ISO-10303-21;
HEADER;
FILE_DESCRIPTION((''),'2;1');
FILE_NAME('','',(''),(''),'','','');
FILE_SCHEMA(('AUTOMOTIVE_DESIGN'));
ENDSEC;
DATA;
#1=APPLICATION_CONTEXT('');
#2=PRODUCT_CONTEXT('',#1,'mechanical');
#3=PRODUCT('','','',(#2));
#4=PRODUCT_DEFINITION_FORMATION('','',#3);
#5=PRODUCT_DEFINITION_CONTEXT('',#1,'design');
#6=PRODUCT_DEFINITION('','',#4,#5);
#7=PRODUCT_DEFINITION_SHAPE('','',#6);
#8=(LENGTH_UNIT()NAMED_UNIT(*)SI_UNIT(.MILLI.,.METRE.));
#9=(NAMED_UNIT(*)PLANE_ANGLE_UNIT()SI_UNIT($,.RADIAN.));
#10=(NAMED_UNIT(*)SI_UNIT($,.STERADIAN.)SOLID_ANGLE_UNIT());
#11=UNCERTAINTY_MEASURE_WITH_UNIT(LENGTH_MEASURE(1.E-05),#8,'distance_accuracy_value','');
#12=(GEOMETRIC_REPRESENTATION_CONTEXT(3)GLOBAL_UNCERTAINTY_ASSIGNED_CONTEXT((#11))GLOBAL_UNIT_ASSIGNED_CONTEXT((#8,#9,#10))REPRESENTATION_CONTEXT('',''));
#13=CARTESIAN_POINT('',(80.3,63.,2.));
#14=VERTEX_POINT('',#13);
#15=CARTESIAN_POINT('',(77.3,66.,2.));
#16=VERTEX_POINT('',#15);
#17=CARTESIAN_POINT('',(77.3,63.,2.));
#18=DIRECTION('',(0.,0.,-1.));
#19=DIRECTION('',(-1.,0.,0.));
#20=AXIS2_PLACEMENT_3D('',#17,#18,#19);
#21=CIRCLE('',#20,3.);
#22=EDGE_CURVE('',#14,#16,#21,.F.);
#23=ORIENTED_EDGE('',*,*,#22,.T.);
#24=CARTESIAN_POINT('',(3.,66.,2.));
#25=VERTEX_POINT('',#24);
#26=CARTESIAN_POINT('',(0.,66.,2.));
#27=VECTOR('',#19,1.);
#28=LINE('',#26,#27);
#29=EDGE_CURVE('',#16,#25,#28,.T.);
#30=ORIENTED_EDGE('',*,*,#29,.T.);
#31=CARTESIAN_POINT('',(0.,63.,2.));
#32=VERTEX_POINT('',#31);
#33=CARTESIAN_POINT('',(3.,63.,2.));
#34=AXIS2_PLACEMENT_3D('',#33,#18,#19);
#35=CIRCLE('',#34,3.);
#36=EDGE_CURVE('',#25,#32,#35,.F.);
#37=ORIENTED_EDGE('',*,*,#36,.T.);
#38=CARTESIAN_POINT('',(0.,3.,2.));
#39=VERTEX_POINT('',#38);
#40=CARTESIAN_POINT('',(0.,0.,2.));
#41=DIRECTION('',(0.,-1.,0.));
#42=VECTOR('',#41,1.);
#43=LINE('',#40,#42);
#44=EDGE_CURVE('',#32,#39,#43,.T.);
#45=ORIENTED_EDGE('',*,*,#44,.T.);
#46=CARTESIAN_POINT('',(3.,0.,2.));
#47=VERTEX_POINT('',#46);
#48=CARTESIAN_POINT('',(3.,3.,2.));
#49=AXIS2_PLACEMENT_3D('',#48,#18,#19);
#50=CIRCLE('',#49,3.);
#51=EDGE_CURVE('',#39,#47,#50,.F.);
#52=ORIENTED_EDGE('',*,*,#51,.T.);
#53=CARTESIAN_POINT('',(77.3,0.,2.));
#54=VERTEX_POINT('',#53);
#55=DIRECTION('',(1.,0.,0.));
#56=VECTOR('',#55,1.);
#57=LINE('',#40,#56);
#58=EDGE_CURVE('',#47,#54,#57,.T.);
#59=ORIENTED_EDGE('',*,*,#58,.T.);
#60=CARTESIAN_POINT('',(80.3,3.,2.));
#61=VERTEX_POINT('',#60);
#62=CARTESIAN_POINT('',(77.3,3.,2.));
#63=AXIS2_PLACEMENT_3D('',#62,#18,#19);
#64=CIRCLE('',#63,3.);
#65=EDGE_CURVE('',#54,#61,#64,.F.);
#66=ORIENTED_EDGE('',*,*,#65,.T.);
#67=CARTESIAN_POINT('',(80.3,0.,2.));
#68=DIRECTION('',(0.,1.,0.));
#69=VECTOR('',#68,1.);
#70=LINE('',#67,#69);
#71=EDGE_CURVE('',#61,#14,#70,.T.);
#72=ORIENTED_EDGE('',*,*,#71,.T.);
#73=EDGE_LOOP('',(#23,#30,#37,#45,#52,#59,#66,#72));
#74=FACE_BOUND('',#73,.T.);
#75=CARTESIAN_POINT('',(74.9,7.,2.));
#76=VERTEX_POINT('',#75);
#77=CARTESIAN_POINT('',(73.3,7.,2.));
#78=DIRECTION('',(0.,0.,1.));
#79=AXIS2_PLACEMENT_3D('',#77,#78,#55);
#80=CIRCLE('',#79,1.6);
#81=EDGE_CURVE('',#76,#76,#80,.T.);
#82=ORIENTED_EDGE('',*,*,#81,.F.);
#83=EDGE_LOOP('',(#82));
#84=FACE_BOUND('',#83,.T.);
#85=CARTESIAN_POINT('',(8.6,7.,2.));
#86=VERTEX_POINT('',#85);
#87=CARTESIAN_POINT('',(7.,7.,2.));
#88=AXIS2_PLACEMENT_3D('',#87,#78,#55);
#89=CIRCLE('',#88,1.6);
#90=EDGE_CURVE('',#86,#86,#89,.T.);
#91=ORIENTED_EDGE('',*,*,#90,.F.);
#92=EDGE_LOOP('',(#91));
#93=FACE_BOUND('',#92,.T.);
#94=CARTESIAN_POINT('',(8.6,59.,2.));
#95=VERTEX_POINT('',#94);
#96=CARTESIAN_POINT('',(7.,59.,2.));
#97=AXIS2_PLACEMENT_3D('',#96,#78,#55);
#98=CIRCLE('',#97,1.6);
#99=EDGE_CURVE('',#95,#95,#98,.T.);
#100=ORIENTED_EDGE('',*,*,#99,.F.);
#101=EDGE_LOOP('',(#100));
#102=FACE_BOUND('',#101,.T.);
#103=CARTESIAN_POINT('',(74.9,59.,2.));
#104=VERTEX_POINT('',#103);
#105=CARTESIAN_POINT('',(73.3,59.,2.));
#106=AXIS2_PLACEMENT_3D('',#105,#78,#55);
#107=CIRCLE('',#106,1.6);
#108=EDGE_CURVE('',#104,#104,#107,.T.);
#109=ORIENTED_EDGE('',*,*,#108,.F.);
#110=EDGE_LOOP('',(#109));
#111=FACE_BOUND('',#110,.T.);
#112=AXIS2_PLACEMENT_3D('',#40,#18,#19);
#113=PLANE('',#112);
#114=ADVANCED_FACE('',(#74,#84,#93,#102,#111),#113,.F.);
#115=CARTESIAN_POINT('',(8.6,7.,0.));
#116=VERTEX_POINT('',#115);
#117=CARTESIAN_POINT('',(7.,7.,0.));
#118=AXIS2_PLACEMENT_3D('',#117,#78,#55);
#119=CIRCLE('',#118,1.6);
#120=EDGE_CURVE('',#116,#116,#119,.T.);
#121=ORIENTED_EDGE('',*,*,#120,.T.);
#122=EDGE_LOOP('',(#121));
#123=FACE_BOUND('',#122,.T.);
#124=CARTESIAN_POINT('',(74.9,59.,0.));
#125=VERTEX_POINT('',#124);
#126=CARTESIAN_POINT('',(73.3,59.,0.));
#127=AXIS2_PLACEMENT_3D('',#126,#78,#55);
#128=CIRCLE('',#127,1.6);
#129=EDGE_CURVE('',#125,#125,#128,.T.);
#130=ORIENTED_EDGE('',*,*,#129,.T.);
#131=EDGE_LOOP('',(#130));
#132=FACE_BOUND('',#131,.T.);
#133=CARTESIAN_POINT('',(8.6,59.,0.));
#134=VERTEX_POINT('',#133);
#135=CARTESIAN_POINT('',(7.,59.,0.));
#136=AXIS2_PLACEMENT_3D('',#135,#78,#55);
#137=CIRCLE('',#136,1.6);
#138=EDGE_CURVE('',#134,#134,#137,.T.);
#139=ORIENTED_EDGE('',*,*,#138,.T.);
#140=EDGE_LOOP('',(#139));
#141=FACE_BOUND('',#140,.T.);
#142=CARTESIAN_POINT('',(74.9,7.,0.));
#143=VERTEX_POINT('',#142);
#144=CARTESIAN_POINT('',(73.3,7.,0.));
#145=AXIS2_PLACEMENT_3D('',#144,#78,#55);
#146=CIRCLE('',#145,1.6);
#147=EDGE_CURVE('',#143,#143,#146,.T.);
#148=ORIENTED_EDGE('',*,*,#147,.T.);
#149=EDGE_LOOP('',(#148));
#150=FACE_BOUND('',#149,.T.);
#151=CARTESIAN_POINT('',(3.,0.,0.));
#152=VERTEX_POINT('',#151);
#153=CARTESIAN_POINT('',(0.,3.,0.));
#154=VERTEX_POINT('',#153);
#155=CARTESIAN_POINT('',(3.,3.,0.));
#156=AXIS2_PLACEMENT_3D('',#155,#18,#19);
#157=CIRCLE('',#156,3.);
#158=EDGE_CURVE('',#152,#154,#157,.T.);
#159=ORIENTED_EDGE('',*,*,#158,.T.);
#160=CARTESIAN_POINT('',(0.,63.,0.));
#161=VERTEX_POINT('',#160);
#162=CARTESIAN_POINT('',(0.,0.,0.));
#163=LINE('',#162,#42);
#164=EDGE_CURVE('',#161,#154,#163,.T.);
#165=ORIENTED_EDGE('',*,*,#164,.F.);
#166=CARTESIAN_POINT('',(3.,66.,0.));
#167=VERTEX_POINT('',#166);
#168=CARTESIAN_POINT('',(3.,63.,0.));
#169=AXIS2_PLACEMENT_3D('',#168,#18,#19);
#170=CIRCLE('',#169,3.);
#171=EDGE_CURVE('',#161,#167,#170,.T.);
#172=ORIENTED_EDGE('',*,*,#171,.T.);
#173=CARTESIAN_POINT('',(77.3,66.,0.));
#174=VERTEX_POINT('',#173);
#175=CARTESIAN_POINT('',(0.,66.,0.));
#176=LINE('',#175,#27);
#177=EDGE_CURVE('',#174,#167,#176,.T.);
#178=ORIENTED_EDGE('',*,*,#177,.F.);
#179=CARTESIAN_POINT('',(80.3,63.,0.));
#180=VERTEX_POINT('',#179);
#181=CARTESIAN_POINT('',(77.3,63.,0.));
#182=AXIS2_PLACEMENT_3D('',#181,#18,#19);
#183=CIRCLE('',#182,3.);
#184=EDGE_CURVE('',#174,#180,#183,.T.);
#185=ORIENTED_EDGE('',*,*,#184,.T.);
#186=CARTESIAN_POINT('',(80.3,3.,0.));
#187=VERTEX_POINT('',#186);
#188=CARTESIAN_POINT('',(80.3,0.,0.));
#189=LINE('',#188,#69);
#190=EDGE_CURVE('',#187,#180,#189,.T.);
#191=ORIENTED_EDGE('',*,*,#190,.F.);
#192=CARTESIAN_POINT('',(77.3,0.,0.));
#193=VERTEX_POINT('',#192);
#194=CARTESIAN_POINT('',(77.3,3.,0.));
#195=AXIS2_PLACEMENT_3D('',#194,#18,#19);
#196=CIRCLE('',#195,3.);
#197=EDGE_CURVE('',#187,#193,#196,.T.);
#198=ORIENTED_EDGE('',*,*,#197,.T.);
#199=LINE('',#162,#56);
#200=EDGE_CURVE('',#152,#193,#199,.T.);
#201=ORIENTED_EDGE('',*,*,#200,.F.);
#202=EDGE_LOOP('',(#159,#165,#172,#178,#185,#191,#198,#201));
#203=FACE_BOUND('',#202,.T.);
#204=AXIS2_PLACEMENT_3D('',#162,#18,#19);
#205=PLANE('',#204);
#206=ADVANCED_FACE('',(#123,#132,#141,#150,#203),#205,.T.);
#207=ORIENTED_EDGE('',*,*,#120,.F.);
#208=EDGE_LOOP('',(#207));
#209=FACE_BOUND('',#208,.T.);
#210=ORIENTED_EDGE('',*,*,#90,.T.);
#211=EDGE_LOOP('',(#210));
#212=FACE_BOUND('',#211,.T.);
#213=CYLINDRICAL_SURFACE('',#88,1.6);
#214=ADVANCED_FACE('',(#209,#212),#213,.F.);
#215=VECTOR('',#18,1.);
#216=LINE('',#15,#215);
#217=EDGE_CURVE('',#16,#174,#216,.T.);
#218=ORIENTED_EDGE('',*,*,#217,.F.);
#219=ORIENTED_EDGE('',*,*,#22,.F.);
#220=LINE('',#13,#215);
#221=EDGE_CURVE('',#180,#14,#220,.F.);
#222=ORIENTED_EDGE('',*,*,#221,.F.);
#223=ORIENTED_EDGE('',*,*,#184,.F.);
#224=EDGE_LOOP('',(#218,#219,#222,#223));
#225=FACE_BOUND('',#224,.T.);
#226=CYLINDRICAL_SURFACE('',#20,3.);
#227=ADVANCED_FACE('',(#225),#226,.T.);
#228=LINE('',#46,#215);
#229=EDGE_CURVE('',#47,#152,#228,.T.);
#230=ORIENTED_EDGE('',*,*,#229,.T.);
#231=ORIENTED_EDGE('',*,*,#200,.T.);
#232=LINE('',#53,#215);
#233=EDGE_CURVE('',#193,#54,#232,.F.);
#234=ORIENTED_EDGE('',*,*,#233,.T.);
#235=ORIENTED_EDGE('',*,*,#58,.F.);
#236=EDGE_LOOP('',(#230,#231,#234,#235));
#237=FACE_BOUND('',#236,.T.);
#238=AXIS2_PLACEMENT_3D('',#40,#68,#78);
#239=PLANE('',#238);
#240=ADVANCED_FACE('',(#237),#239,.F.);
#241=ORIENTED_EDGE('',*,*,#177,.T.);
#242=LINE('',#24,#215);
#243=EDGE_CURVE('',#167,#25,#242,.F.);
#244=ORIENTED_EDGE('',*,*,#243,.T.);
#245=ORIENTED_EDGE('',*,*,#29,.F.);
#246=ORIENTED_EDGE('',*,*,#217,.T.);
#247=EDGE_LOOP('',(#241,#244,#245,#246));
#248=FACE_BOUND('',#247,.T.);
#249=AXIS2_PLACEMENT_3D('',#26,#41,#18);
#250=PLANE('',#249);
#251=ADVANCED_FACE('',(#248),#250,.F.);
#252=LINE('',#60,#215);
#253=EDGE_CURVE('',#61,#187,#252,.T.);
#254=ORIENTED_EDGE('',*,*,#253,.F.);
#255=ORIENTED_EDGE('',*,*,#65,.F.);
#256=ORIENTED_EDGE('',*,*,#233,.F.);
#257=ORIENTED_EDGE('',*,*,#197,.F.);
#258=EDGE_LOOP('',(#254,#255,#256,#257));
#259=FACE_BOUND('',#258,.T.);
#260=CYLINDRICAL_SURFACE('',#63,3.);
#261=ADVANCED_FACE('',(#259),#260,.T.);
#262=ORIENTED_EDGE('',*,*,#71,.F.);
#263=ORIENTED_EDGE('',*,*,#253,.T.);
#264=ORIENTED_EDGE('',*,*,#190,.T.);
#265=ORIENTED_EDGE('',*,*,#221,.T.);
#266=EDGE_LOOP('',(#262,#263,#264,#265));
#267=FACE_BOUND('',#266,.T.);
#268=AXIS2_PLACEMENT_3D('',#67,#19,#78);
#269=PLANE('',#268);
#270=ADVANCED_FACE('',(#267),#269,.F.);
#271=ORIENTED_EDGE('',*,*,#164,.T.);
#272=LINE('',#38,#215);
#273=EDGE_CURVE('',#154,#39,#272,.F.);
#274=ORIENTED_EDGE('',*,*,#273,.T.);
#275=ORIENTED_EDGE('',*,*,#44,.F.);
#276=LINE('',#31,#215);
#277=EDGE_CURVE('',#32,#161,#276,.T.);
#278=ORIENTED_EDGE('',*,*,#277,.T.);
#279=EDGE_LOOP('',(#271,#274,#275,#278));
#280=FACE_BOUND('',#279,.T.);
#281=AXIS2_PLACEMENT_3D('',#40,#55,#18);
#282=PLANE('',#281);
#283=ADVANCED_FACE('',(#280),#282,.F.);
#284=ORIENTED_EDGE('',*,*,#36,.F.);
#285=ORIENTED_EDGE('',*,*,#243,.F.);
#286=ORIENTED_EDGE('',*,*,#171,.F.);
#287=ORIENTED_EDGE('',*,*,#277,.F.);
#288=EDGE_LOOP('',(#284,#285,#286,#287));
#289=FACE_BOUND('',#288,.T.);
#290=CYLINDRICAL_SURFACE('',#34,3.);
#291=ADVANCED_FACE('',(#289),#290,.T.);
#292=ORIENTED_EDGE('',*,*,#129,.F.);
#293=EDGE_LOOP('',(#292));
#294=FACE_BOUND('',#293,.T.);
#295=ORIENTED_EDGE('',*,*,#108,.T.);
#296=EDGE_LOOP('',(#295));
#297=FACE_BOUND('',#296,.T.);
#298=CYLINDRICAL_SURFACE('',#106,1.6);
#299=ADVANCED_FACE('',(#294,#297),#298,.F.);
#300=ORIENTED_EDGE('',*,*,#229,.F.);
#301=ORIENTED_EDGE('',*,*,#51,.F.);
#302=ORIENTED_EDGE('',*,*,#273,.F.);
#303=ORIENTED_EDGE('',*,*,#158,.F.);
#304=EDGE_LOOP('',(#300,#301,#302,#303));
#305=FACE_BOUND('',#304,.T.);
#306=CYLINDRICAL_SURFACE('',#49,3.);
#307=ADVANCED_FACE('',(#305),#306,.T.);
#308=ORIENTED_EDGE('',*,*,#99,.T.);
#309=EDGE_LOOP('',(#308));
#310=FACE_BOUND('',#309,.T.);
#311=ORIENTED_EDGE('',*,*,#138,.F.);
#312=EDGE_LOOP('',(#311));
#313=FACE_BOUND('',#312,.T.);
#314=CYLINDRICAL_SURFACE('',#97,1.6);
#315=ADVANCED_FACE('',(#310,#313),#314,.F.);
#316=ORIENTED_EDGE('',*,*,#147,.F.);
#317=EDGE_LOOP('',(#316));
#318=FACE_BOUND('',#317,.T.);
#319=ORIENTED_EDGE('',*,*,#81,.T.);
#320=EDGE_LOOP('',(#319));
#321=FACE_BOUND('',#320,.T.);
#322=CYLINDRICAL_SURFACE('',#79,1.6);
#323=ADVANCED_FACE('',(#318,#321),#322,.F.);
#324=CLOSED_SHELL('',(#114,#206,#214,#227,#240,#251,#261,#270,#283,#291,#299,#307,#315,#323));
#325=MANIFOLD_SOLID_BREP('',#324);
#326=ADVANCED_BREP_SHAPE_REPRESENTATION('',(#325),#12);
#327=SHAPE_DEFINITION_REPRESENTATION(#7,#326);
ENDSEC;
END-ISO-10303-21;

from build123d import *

# Parameters (mm, degrees)
SKETCH1_W                  = 80.3
SKETCH1_H                  = 66
BOSS_EXTRUDE1_DEPTH        = 2
F_3_2_3_2_DIAMETER_HOLE1_D = 3.2
FILLET1_R                  = 3


with BuildPart() as part:
    # Sketch1 → Boss-Extrude1 (new body)
    with BuildSketch(Plane.XY):
        with Locations((40.15, 33)):
            Rectangle(SKETCH1_W, SKETCH1_H)
    extrude(amount=BOSS_EXTRUDE1_DEPTH)

    # Ø3.2 (3.2) Diameter Hole1 (through all)
    with Locations(Plane.XY.offset(2)):
        with Locations((7, 59), (73.3, 59), (73.3, 7), (7, 7)):
            Hole(F_3_2_3_2_DIAMETER_HOLE1_D / 2)

    # Fillet1
    fillet1_edges = [part.edges().sort_by_distance(p)[0] for p in [
        (0, 66, 1),
        (80.3, 66, 1),
        (80.3, 0, 1),
        (0, 0, 1),
    ]]
    fillet(fillet1_edges, radius=FILLET1_R)


solid = part.part
